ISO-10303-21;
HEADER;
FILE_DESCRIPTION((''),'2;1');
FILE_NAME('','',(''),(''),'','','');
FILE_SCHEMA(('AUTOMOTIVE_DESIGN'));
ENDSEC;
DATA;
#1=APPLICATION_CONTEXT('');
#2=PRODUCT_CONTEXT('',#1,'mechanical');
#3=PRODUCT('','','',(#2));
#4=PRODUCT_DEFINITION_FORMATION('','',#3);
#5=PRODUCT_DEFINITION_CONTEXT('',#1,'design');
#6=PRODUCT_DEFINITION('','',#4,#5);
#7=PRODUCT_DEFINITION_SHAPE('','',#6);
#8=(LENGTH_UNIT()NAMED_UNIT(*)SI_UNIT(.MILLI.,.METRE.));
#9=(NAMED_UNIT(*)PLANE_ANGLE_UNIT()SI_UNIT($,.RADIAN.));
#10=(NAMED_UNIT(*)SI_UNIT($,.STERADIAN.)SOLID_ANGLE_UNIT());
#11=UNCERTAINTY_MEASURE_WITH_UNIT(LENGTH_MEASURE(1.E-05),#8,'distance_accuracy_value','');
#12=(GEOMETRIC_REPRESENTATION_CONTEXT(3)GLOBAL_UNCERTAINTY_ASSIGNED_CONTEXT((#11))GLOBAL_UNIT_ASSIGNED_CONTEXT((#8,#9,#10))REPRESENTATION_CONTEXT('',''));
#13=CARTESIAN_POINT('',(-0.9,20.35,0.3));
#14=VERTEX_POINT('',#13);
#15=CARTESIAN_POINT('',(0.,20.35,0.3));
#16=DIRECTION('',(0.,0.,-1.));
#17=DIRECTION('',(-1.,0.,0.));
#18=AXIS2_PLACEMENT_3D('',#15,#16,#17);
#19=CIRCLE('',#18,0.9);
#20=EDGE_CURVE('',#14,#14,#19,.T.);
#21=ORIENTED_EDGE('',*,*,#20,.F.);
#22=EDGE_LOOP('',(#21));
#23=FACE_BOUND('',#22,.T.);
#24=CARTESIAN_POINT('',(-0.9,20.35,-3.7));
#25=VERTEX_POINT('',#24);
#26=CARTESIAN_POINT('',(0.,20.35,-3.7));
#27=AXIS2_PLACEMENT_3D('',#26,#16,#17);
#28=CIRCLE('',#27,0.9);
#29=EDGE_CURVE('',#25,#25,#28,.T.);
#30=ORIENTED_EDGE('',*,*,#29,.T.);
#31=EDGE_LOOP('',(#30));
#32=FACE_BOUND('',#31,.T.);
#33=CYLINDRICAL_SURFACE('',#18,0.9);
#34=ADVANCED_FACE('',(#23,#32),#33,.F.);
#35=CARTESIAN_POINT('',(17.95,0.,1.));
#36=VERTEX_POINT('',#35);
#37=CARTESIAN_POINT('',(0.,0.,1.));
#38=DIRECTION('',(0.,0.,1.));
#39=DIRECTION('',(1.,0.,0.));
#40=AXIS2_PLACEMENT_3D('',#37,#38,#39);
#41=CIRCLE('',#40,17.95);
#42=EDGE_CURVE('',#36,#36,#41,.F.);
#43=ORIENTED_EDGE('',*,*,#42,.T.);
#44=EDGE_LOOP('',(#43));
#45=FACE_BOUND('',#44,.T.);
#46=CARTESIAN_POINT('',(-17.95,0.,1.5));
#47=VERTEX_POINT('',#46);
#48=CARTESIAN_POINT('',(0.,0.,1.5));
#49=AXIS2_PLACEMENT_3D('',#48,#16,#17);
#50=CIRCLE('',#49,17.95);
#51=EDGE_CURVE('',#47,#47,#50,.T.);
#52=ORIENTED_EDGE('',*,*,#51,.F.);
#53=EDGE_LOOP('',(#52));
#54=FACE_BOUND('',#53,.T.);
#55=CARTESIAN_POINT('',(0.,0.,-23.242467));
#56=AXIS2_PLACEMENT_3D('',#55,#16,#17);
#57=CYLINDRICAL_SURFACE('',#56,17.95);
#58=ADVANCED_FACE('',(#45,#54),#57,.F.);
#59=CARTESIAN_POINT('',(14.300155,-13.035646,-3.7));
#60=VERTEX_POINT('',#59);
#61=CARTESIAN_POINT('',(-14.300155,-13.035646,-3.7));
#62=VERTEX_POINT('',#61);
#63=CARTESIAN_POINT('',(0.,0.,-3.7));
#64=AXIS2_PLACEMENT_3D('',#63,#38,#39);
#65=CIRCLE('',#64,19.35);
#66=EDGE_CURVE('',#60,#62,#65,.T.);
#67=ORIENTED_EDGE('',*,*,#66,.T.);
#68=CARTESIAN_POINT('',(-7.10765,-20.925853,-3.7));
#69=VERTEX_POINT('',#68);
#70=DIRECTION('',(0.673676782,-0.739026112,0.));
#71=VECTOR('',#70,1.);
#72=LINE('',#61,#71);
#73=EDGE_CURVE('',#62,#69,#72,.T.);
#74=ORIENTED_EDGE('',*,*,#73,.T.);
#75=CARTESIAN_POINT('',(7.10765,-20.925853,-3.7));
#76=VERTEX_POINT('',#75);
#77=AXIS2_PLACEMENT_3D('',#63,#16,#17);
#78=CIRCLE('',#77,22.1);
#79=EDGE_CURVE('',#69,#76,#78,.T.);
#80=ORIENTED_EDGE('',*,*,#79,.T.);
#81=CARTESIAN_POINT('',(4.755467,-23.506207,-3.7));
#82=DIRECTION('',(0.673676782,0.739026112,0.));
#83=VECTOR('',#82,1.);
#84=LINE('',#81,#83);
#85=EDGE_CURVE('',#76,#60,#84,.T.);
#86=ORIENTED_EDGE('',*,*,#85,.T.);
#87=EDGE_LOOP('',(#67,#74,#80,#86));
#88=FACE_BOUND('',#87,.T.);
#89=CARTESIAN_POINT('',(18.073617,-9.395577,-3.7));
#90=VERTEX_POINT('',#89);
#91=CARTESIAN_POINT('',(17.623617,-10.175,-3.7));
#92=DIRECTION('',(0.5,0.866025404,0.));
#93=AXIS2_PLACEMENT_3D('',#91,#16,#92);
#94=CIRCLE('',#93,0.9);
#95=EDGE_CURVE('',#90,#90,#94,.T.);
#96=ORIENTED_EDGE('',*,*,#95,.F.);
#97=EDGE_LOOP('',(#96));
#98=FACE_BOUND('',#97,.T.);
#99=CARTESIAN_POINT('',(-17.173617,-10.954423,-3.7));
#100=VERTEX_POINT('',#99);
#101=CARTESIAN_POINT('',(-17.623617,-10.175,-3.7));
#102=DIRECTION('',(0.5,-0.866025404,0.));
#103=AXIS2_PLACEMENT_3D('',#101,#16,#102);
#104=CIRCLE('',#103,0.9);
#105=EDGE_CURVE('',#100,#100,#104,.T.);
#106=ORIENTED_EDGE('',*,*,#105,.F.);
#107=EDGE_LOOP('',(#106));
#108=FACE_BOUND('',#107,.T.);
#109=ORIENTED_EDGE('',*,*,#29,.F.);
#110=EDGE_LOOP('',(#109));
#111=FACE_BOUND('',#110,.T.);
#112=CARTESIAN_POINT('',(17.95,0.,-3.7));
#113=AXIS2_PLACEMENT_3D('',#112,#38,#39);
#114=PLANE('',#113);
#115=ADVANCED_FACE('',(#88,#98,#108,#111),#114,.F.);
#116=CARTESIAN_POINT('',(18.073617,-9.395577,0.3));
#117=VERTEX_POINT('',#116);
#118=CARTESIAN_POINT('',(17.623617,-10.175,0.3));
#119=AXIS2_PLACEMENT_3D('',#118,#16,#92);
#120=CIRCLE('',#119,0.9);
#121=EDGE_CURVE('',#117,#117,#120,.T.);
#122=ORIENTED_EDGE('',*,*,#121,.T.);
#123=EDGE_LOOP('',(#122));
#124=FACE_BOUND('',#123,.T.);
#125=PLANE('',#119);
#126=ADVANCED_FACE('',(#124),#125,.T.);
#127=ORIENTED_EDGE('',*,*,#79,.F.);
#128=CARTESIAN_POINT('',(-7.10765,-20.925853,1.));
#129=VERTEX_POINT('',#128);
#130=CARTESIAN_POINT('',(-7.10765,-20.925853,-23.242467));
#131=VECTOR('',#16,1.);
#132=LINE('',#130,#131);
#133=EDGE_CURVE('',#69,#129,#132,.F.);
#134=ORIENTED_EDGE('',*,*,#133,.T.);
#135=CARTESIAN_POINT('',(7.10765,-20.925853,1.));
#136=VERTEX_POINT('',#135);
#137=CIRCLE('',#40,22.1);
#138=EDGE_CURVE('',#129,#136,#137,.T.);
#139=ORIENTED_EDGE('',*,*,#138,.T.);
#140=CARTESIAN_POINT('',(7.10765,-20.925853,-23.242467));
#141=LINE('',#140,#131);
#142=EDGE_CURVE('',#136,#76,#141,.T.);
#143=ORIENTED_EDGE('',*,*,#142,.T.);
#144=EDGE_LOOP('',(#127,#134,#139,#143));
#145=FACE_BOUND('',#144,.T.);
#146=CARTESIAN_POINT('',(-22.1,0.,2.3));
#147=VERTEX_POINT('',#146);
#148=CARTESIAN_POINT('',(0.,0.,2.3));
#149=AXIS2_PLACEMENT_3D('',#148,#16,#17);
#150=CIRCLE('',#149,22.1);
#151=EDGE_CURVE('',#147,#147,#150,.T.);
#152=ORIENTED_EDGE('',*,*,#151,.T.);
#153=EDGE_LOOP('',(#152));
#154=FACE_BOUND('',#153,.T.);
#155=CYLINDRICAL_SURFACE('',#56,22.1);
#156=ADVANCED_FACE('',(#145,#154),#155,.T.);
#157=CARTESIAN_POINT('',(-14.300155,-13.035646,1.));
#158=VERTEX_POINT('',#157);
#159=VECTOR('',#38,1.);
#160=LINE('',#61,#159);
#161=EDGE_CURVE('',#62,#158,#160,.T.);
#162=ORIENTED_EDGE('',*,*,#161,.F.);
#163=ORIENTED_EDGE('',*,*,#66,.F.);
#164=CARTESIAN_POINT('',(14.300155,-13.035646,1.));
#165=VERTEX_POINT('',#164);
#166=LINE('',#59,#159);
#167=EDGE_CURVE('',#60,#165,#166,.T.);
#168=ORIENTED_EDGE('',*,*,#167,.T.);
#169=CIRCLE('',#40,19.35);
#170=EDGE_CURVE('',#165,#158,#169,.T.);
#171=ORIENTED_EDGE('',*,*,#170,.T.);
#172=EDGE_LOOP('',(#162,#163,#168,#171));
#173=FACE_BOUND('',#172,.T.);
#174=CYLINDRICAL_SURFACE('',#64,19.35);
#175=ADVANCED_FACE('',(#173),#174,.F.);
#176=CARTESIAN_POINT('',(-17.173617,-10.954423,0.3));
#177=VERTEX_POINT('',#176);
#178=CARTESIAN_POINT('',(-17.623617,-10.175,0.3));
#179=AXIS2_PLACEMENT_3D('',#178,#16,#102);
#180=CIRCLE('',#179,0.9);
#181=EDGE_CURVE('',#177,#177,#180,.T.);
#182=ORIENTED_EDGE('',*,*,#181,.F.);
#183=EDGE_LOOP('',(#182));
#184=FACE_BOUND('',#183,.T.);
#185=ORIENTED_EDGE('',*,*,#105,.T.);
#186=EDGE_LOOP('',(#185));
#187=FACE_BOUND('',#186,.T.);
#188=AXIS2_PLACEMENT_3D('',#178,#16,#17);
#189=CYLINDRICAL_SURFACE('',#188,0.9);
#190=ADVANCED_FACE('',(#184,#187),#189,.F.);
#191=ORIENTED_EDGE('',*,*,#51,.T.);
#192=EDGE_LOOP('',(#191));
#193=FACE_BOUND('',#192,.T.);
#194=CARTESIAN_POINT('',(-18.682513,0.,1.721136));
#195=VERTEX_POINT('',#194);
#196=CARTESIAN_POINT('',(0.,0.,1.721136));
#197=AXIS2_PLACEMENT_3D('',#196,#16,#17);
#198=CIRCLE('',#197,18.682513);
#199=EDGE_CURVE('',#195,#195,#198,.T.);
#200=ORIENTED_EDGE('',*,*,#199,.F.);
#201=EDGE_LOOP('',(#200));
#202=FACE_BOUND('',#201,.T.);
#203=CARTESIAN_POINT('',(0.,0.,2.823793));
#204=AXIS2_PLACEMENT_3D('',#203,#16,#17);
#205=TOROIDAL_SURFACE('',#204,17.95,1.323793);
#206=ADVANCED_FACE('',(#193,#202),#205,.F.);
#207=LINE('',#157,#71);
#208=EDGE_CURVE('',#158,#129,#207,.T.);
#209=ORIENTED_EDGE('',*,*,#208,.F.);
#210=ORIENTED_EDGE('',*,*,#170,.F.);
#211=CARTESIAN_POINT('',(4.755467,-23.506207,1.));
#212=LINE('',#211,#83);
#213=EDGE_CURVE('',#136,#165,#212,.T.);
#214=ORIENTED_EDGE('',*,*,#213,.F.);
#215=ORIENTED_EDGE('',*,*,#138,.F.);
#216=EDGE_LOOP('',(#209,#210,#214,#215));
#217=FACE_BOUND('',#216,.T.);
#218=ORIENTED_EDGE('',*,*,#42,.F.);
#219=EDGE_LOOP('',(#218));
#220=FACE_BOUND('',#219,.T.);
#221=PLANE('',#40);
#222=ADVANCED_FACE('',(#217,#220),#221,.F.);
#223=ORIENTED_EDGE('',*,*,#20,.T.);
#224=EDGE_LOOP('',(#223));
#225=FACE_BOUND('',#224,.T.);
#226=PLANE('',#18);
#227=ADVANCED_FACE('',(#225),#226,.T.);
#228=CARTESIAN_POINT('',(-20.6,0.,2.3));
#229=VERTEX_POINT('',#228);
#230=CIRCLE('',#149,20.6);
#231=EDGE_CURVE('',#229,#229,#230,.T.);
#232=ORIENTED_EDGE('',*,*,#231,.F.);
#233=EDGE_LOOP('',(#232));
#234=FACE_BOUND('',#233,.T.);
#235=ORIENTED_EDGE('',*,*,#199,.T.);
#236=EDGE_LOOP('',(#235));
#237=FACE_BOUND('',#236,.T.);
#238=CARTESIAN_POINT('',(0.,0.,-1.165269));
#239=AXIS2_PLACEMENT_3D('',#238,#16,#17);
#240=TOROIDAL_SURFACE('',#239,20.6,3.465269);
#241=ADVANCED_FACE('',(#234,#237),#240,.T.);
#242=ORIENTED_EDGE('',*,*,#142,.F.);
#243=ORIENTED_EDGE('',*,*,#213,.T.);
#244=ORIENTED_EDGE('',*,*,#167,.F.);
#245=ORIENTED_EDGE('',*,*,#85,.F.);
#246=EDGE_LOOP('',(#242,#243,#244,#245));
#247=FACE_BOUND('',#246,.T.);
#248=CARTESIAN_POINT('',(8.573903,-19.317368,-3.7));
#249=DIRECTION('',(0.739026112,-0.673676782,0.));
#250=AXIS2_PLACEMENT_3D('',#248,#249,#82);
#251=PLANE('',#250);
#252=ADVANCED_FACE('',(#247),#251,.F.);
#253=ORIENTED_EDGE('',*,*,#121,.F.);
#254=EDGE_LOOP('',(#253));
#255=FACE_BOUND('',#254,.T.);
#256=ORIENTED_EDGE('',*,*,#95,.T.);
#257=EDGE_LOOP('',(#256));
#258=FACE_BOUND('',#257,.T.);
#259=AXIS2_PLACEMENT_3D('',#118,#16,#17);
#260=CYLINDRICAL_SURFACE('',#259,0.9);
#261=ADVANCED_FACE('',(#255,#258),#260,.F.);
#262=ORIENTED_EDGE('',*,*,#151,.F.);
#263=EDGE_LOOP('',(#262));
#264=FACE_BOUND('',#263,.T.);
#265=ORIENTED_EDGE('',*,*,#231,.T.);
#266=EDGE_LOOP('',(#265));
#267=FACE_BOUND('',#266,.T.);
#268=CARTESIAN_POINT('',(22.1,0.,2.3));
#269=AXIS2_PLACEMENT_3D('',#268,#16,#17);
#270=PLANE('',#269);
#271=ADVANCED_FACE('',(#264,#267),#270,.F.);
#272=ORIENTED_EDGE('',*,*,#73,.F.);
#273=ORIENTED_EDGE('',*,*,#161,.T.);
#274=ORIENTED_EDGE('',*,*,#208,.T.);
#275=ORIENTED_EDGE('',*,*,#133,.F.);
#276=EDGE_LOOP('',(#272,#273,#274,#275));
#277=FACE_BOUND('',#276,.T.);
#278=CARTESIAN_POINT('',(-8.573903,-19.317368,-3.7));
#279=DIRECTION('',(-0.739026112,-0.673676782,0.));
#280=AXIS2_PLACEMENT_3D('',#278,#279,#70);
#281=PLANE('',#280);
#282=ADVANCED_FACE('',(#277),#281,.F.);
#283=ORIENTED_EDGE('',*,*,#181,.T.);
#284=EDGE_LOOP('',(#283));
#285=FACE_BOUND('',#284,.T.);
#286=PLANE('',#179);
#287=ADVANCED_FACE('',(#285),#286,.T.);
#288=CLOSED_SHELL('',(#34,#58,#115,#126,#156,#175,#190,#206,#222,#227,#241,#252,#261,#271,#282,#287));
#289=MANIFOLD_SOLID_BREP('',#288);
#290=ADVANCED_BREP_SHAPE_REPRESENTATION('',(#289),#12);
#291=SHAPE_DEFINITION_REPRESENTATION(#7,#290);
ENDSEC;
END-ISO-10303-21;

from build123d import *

# Parameters (mm, degrees)
CUT_EXTRUDE_2_DEPTH      = 1
CUT_EXTRUDE_2_DEPTH_BACK = 32.472368834
SKETCH_3_R               = 0.9
CUT_EXTRUDE_3_DEPTH      = 4
PATTERN_CIRCULAR_1_COUNT = 3


with BuildPart() as part:
    # ｽｹｯﾁ1 → 回転1 (revolve)
    with BuildSketch(Plane(origin=(0, 0, 0), x_dir=(1, 0, 0), z_dir=(0, 1, 0)), mode=Mode.PRIVATE) as revolve_1_sk:
        with BuildLine():
            Line((17.95, -1.5), (17.95, 3.7))
            Line((17.95, 3.7), (22.1, 3.7))
            Line((22.1, 3.7), (22.1, -2.3))
            Line((22.1, -2.3), (20.6, -2.3))
            ThreePointArc((20.6, -2.3), (19.598521282, -2.152129029), (18.682513342, -1.721136103))
            ThreePointArc((18.682513342, -1.721136103), (18.332582335, -1.556489289), (17.95, -1.5))
        make_face()
    revolve(revolve_1_sk.sketch.rotate(Axis((0, 0, -23.242467286), (0, 0, 1)), 180), axis=Axis((0, 0, -23.242467286), (0, 0, 1)))

    # ｽｹｯﾁ2 → ｶｯﾄ - 押し出し2 (cut, two sides: drawn at the far end of the back side and taken through both)
    with BuildSketch(Plane.XY.offset(-CUT_EXTRUDE_2_DEPTH_BACK)):
        with BuildLine():
            Line((-14.300155258, -13.03564573), (-8.573902611, -19.317367678))
            Line((-8.573902611, -19.317367678), (-4.755467222, -23.5062065))
            Line((-4.755467222, -23.5062065), (4.755467222, -23.5062065))
            Line((4.755467222, -23.5062065), (8.573902611, -19.317367678))
            Line((8.573902611, -19.317367678), (14.300155258, -13.03564573))
            ThreePointArc((14.300155258, -13.03564573), (0, 19.35), (-14.300155258, -13.03564573))
        make_face()
    extrude(amount=CUT_EXTRUDE_2_DEPTH + CUT_EXTRUDE_2_DEPTH_BACK, mode=Mode.SUBTRACT)

    # ｽｹｯﾁ3 → ｶｯﾄ - 押し出し3 (cut)
    with BuildSketch(Plane(origin=(0, 0, -3.7), x_dir=(-1, 0, 0), z_dir=(0, 0, -1))):
        with Locations((0, 20.35)):
            Circle(SKETCH_3_R)
    cut_extrude_3 = extrude(amount=-CUT_EXTRUDE_3_DEPTH, mode=Mode.SUBTRACT)

    # 円形ﾊﾟﾀｰﾝ1: ｶｯﾄ - 押し出し3 ×3 about axis
    pattern_circular_1_axis = Axis((0, 0, 0), (0, 0, 1))
    for i in range(1, PATTERN_CIRCULAR_1_COUNT):
        add(cut_extrude_3.rotate(pattern_circular_1_axis, i * 360 / PATTERN_CIRCULAR_1_COUNT), mode=Mode.SUBTRACT)


solid = part.part
